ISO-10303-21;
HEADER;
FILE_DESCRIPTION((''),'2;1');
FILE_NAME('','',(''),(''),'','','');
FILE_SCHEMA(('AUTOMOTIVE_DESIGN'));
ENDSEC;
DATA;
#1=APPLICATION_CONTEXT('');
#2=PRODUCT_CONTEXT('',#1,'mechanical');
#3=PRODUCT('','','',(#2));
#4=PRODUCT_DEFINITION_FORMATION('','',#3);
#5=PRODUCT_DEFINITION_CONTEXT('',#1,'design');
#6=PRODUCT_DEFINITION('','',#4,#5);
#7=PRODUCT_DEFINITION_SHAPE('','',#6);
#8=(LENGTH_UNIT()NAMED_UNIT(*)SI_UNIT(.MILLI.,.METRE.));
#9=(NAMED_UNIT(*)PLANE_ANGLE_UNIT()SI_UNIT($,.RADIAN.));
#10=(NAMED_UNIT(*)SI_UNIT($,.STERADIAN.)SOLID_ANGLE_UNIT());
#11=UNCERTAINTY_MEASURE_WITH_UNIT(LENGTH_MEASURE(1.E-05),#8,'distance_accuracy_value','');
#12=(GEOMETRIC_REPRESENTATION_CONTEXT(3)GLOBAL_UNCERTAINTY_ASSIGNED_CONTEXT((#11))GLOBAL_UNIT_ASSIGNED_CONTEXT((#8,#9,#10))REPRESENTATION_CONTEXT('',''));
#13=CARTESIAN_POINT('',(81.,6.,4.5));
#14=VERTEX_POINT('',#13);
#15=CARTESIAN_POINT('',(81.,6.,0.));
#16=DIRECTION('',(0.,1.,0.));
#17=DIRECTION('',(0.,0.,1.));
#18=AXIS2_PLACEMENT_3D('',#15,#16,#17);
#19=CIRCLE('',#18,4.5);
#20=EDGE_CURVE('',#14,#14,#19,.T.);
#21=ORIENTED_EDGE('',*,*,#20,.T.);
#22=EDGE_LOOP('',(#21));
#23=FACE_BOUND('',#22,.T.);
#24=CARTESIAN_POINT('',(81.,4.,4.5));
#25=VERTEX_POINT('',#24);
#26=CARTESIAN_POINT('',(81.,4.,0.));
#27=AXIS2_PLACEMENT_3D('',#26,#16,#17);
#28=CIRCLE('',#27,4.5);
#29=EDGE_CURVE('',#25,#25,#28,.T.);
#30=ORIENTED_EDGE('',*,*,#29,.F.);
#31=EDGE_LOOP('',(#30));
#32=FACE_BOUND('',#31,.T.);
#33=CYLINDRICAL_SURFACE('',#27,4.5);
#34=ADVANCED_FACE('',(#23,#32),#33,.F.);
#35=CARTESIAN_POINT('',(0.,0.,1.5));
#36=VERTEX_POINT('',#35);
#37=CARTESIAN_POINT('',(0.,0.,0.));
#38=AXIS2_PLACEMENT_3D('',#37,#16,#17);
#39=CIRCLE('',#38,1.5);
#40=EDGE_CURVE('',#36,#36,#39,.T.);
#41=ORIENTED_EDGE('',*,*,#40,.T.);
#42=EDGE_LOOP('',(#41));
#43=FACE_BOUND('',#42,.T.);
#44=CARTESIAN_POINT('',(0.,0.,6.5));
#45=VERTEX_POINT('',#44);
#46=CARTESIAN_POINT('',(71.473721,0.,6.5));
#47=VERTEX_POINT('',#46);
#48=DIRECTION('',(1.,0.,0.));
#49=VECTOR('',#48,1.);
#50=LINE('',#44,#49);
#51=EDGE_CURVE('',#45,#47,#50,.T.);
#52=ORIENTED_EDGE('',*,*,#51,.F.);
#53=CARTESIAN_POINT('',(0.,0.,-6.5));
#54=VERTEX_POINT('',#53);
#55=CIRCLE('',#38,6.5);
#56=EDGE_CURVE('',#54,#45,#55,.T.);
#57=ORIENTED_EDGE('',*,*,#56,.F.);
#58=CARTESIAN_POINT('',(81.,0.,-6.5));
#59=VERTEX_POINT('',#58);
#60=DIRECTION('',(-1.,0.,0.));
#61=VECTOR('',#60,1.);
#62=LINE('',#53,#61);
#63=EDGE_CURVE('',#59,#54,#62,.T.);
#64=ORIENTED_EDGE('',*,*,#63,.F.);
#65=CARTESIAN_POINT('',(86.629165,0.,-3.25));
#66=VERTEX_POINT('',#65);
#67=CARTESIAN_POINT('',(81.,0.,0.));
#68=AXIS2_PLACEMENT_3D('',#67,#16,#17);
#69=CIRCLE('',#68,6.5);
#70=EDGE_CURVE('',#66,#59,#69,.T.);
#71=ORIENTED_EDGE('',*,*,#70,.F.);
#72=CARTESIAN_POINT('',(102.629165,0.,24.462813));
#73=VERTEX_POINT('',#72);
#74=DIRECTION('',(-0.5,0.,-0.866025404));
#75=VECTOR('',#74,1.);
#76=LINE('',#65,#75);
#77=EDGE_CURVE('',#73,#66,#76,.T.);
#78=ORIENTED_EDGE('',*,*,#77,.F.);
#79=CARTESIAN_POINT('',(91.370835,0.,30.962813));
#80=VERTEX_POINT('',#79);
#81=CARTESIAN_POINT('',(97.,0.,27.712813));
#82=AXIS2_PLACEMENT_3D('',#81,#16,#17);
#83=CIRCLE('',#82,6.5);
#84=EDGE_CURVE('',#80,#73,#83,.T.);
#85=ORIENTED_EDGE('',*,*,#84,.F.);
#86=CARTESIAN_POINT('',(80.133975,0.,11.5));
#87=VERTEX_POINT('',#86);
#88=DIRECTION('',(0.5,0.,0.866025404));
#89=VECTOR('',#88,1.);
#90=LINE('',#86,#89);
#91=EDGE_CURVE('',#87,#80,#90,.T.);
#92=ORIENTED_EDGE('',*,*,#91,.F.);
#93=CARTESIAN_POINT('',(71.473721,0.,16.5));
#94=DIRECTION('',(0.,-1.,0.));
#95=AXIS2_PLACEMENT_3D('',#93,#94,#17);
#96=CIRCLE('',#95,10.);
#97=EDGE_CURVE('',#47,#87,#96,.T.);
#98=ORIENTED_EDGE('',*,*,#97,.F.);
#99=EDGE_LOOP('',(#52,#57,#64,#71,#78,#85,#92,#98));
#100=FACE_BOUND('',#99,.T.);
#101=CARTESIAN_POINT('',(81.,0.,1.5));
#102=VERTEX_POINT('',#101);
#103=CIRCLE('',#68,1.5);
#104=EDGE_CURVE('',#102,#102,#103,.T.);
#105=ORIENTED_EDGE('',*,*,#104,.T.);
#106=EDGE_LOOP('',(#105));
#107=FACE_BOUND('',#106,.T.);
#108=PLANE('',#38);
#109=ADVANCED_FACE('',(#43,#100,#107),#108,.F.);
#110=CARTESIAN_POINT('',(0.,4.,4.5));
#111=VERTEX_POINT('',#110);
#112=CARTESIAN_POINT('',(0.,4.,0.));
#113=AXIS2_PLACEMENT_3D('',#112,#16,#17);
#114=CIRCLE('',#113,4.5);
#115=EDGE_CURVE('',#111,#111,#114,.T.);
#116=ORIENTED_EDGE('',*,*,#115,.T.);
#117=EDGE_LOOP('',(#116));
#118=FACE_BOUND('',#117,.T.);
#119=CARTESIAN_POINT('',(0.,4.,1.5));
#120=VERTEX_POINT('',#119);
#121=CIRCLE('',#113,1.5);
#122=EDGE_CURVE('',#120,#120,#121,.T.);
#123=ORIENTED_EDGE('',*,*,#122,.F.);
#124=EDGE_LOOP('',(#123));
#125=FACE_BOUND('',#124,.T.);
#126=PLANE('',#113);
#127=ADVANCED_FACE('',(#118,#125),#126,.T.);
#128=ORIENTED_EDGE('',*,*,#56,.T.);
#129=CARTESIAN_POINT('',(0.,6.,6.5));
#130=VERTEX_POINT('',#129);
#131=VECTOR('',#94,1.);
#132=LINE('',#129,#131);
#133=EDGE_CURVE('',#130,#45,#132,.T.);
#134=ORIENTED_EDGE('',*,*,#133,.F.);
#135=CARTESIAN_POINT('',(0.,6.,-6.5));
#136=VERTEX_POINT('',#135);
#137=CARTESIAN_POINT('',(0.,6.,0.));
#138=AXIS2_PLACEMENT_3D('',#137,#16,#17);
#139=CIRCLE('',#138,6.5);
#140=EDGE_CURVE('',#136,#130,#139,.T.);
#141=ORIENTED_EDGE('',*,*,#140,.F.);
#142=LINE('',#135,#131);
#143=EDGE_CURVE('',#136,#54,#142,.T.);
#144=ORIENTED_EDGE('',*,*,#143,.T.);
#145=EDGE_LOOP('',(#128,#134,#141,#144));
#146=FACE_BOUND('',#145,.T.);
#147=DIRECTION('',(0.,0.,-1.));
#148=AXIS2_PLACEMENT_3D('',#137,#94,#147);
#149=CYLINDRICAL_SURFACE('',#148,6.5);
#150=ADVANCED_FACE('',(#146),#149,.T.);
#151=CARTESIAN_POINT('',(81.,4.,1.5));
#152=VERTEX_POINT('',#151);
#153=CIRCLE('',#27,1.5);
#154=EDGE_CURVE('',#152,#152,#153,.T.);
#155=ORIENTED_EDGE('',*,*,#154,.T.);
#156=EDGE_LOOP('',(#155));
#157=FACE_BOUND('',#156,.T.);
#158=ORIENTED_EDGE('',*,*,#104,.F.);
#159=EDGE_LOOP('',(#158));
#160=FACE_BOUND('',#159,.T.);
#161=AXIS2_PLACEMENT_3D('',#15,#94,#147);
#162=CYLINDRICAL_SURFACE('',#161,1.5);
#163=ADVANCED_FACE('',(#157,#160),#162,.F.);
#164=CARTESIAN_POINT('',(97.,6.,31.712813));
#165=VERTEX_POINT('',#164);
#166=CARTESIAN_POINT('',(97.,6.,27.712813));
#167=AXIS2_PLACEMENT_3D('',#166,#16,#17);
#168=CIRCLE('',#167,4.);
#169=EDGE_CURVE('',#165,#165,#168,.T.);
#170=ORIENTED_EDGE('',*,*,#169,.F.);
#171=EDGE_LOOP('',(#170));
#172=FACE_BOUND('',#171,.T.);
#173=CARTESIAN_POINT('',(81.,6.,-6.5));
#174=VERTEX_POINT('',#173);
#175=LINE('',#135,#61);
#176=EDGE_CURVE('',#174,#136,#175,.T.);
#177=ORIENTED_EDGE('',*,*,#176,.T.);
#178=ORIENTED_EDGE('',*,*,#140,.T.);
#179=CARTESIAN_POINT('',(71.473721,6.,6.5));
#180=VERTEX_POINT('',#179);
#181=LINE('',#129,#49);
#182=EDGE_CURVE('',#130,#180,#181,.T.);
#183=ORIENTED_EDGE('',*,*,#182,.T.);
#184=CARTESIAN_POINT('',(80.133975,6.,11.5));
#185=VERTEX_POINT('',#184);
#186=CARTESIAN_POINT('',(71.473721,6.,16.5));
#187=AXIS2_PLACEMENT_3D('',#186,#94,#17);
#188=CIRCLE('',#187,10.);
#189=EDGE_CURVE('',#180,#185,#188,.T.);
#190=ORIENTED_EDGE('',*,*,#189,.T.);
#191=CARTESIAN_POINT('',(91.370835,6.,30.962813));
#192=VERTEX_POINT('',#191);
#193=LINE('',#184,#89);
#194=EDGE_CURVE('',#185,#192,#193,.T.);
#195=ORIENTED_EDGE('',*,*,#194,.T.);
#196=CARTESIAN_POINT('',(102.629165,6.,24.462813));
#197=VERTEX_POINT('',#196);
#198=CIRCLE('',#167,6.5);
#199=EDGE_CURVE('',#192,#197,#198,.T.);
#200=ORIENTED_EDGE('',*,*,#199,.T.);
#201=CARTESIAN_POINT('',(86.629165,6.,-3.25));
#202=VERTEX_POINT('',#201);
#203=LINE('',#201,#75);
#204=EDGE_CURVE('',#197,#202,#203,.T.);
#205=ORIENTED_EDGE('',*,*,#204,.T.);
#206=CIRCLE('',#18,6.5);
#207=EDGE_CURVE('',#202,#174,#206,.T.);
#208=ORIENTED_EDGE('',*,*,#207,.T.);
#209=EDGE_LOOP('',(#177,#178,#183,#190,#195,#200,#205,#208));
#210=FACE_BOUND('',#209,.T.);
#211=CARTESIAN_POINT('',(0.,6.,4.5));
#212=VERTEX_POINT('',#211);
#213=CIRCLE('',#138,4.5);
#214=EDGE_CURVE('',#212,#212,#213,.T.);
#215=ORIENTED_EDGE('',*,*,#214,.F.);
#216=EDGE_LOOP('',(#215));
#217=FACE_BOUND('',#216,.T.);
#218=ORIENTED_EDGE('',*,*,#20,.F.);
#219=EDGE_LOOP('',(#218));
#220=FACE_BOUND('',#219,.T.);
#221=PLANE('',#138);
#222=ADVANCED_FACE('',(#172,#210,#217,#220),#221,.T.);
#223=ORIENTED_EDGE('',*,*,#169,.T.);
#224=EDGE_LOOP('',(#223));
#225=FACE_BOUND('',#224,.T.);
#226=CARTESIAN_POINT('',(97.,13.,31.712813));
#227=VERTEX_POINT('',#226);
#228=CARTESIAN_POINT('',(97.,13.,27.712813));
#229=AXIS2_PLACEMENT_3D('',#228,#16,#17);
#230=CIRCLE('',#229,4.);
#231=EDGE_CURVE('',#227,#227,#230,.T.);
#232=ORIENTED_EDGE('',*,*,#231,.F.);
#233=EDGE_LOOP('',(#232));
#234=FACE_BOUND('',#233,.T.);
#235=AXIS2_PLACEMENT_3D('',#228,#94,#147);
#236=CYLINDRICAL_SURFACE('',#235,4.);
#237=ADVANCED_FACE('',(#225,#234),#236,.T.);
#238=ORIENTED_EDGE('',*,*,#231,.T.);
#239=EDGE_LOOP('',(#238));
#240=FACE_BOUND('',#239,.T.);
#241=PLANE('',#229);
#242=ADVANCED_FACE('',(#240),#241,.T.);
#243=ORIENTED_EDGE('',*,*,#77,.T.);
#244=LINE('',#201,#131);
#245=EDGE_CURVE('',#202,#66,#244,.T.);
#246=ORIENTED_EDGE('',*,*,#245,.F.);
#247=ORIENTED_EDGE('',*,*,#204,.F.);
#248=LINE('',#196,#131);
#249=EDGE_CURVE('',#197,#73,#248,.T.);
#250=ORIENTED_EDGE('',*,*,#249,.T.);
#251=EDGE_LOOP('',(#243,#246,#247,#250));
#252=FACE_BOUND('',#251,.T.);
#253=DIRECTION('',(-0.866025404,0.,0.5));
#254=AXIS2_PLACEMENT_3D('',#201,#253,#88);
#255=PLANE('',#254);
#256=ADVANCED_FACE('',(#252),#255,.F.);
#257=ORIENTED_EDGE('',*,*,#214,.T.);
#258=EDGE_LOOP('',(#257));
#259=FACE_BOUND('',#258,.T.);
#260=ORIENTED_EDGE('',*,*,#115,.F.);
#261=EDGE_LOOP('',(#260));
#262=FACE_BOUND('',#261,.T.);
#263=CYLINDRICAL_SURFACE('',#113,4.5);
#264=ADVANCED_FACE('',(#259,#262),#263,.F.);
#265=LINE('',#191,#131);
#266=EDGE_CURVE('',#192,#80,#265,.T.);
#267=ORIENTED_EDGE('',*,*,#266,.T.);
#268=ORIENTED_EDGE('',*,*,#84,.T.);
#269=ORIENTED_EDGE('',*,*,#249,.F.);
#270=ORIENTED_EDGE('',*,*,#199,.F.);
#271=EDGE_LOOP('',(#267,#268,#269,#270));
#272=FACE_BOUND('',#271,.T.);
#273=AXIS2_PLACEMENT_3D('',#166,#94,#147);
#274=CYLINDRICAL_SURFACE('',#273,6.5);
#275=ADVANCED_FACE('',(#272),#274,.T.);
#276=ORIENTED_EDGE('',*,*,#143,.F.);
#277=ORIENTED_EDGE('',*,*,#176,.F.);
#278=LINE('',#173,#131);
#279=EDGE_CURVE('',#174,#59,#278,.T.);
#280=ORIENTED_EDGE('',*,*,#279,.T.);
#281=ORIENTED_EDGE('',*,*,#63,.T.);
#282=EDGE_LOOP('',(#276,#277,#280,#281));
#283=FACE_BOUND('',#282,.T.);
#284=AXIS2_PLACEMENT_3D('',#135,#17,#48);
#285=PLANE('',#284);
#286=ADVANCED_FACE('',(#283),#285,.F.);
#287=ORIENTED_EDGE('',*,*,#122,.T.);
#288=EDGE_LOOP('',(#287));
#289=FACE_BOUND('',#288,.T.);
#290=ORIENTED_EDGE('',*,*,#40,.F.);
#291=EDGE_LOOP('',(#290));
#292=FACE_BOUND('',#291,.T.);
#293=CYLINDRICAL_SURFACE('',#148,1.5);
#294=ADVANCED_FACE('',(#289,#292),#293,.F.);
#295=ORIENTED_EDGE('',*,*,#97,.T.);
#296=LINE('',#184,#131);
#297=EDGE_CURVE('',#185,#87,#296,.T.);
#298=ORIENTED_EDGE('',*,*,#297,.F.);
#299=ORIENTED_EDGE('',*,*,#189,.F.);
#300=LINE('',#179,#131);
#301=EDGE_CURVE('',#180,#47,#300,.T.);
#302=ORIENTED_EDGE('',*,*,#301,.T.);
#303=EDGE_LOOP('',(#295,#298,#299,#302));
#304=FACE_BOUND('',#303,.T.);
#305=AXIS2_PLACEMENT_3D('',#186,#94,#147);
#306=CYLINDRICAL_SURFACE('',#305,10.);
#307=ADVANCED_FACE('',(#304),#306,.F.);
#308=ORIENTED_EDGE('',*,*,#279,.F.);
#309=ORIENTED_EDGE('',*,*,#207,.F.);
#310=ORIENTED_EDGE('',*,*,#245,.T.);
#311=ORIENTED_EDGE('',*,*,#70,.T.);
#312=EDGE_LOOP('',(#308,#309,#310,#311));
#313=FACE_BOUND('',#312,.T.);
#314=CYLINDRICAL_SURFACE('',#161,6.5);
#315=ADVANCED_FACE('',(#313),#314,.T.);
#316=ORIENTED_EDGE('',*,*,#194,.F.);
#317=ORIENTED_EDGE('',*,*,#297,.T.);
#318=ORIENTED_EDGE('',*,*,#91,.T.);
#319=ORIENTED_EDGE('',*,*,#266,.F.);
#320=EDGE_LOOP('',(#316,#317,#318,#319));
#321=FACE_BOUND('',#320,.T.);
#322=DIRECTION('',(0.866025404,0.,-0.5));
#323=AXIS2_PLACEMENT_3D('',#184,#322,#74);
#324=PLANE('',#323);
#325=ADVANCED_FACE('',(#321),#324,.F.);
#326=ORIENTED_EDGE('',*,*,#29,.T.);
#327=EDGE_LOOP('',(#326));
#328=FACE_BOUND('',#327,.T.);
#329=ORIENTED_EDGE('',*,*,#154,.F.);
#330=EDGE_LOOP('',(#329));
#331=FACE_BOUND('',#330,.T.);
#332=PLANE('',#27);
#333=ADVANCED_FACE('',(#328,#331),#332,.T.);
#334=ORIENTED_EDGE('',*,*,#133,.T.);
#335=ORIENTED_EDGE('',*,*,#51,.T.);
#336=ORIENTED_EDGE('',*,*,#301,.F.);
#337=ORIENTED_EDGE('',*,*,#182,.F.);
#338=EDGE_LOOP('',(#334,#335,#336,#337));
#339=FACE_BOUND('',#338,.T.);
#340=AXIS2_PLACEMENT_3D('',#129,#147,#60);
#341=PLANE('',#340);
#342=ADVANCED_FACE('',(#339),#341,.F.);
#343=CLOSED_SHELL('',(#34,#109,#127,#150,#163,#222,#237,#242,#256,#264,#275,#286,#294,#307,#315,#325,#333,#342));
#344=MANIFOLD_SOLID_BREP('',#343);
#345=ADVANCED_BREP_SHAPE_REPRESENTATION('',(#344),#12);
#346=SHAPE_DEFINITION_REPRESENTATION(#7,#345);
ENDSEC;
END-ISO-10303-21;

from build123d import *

# Parameters (mm, degrees)
SKETCH1_R           = 1.5
BOSS_EXTRUDE1_DEPTH = 6
SKETCH2_R           = 4.5
CUT_EXTRUDE1_DEPTH  = 2
SKETCH3_R           = 4
BOSS_EXTRUDE2_DEPTH = 7


with BuildPart() as part:
    # Sketch1 → Boss-Extrude1 (new body)
    with BuildSketch(Plane(origin=(0, 0, 0), x_dir=(1, 0, 0), z_dir=(0, 1, 0))):
        with BuildLine():
            Line((0, 6.5), (81, 6.5))
            ThreePointArc((81, 6.5), (84.25, 5.629165125), (86.629165125, 3.25))
            Line((86.629165125, 3.25), (102.629165125, -24.462812921))
            ThreePointArc((102.629165125, -24.462812921), (100.25, -33.341978046), (91.370834875, -30.962812921))
            Line((91.370834875, -30.962812921), (80.133974596, -11.5))
            ThreePointArc((80.133974596, -11.5), (76.473720558, -7.839745962), (71.473720558, -6.5))
            Line((71.473720558, -6.5), (0, -6.5))
            ThreePointArc((0, -6.5), (-6.5, 0), (0, 6.5))
        make_face()
        with Locations(Location((0, 0, 0), (0, 0, 270))):
            Circle(SKETCH1_R, mode=Mode.SUBTRACT)
        with Locations(Location((81, 0, 0), (0, 0, 270))):
            Circle(SKETCH1_R, mode=Mode.SUBTRACT)
    extrude(amount=BOSS_EXTRUDE1_DEPTH)

    # Sketch2 → Cut-Extrude1 (cut)
    with BuildSketch(Plane(origin=(0, 6, 0), x_dir=(1, 0, 0), z_dir=(0, 1, 0))):
        with Locations(Location((0, 0, 0), (0, 0, 270))):
            Circle(SKETCH2_R)
        with Locations(Location((81, 0, 0), (0, 0, 270))):
            Circle(SKETCH2_R)
    extrude(amount=-CUT_EXTRUDE1_DEPTH, mode=Mode.SUBTRACT)

    # Sketch3 → Boss-Extrude2 (add)
    with BuildSketch(Plane(origin=(0, 6, 0), x_dir=(1, 0, 0), z_dir=(0, 1, 0))):
        with Locations(Location((97, -27.712812921, 0), (0, 0, 270))):
            Circle(SKETCH3_R)
    extrude(amount=BOSS_EXTRUDE2_DEPTH)


solid = part.part
